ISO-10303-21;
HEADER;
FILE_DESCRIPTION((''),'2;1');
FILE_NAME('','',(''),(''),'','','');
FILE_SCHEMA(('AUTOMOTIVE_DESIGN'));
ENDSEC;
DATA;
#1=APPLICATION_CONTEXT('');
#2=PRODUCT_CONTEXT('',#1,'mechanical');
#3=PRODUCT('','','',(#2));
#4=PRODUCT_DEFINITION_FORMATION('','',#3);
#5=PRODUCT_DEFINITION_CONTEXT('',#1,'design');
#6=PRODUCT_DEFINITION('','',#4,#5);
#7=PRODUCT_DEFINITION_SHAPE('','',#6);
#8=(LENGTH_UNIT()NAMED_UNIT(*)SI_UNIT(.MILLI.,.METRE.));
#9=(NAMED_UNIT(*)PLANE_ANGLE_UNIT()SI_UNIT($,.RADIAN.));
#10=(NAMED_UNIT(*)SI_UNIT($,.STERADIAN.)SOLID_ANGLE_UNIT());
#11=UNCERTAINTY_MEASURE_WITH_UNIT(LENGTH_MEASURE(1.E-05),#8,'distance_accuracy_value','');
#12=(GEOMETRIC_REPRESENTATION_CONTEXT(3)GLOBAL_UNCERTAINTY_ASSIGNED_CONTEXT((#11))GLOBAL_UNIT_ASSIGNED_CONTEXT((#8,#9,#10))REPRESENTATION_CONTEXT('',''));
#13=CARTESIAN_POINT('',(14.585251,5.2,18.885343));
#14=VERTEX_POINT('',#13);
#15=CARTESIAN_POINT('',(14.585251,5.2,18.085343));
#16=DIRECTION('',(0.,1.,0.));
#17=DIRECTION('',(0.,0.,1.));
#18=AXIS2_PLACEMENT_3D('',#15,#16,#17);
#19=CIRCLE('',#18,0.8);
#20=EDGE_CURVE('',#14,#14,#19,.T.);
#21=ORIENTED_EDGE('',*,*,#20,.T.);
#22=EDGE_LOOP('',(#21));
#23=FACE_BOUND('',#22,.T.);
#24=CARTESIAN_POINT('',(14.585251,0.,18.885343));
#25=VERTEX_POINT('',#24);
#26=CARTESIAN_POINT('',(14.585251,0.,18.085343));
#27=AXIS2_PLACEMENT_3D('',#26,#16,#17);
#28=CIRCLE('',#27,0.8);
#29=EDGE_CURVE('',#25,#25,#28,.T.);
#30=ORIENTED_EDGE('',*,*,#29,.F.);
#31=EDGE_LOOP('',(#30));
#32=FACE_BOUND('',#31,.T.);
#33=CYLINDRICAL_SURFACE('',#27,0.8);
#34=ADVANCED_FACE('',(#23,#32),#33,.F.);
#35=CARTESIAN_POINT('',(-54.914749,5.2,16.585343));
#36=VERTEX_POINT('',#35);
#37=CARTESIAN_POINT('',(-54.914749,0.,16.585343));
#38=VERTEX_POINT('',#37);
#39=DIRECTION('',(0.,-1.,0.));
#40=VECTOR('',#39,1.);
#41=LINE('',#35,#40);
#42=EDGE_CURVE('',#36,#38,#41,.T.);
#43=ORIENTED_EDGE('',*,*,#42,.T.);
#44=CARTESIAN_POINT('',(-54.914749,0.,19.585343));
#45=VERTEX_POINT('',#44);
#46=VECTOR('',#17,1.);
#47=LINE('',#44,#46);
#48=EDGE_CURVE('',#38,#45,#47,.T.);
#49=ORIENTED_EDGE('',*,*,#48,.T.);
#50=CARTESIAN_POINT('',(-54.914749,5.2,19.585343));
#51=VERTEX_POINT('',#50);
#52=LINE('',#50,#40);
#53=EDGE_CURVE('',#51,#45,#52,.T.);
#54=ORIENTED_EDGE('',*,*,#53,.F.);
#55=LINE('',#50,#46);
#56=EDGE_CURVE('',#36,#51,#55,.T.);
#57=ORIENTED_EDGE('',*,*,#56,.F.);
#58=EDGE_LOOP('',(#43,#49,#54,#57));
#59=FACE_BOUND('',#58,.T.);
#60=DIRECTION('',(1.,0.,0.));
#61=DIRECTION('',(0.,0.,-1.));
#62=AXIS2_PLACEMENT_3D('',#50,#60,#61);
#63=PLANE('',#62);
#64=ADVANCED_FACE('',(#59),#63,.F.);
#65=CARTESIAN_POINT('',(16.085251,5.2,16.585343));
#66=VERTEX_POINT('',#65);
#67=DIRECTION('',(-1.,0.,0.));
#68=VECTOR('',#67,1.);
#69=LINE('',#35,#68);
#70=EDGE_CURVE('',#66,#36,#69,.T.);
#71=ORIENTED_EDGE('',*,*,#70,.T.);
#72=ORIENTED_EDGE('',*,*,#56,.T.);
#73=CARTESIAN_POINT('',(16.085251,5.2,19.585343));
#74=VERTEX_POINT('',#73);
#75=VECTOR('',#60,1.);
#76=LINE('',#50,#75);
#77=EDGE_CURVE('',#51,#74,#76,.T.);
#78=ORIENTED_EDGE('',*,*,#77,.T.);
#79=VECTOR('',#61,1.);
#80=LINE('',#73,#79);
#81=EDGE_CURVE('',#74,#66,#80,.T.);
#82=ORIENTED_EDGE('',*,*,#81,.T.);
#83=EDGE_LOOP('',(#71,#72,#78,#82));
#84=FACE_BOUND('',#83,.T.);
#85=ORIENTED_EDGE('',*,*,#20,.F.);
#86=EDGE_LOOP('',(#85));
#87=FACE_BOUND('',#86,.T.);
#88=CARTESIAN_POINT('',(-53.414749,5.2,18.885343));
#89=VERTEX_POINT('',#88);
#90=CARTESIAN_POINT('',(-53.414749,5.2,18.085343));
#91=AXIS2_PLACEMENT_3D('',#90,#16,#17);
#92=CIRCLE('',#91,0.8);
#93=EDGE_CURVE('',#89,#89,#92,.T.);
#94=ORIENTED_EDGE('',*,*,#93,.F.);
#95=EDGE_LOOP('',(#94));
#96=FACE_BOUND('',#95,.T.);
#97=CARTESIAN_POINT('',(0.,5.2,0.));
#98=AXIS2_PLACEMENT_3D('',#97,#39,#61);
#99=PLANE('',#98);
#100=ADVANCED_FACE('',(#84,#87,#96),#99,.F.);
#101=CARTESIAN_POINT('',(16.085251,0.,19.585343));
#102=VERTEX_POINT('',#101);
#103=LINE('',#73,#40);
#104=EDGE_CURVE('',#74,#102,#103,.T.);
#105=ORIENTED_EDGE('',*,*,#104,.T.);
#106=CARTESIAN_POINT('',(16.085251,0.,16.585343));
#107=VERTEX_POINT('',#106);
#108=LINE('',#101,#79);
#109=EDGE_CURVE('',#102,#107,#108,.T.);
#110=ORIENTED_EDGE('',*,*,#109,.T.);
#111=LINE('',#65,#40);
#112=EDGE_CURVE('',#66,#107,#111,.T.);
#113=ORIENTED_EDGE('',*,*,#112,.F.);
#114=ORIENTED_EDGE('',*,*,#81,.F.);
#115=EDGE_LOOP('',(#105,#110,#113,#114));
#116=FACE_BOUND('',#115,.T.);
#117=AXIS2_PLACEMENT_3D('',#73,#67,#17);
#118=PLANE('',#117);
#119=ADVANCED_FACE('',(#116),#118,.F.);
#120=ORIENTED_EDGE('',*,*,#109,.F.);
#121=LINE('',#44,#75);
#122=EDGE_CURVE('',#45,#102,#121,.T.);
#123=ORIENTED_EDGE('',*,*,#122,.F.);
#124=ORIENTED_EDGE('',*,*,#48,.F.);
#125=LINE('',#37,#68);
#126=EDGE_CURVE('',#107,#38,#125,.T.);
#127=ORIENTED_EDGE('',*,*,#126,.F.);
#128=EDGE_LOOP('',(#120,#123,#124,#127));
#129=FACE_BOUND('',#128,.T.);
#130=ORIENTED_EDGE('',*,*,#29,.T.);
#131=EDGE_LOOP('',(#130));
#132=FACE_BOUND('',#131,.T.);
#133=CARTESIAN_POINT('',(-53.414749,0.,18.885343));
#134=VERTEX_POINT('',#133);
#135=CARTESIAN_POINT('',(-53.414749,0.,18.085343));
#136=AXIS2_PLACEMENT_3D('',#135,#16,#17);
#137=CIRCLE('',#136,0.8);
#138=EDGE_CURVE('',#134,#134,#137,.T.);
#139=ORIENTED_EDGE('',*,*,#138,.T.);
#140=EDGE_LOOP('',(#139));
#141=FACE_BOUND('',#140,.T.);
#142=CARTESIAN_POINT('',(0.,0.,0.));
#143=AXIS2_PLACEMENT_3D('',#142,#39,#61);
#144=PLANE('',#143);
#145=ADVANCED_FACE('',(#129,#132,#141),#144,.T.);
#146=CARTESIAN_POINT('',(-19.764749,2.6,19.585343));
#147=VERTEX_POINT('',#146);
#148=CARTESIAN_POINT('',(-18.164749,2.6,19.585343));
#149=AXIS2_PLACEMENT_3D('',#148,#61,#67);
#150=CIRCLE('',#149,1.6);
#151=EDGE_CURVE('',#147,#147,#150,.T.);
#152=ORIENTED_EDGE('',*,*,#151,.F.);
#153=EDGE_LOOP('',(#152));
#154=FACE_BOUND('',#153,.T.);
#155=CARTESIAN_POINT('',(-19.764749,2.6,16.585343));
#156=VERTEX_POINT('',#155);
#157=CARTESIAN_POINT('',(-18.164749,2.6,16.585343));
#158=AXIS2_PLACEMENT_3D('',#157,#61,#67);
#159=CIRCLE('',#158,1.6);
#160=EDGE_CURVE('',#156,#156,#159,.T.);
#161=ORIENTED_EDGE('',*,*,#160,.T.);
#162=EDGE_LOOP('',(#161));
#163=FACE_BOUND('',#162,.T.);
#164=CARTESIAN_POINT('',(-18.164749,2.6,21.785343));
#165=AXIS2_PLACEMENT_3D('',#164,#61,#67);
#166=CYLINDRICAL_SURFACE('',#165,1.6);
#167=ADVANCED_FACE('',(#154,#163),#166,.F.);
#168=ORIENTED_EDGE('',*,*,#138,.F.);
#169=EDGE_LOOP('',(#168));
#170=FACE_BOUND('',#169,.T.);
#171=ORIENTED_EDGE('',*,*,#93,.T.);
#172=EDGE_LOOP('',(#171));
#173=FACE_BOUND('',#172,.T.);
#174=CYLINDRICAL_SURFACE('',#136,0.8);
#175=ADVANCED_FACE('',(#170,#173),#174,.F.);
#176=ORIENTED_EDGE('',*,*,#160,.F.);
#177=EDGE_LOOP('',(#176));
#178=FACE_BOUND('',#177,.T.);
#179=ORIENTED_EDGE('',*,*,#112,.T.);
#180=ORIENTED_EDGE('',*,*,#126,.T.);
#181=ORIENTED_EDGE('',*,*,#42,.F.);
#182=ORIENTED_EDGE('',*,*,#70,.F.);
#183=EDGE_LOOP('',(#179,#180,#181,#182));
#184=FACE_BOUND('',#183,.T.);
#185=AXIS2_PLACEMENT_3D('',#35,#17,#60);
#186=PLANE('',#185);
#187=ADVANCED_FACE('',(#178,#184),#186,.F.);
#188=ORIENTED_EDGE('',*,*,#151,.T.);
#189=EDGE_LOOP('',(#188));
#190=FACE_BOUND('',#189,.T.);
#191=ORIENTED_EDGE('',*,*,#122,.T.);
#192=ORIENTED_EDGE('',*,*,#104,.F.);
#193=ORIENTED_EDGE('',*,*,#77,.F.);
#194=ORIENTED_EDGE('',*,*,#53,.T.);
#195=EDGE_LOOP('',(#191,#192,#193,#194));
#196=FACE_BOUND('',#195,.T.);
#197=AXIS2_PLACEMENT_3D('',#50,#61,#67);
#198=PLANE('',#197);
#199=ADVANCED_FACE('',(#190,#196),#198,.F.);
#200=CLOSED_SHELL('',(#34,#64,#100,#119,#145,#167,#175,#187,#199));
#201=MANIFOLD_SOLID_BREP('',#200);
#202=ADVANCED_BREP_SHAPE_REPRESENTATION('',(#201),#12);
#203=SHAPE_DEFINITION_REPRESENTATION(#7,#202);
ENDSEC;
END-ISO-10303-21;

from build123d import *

# Parameters (mm, degrees)
SKETCH1_W           = 71
SKETCH1_H           = 3
BOSS_EXTRUDE1_DEPTH = 5.2
SKETCH2_R           = 0.8
CUT_EXTRUDE1_DEPTH  = 5.2
SKETCH3_R           = 1.6
CUT_EXTRUDE2_DEPTH  = 5.2


with BuildPart() as part:
    # Sketch1 → Boss-Extrude1 (new body)
    with BuildSketch(Plane(origin=(0, 0, 0), x_dir=(1, 0, 0), z_dir=(0, 1, 0))):
        with Locations((-19.414749289, -18.085343374)):
            Rectangle(SKETCH1_W, SKETCH1_H)
    extrude(amount=BOSS_EXTRUDE1_DEPTH)

    # Sketch2 → Cut-Extrude1 (cut)
    with BuildSketch(Plane(origin=(0, 5.2, 0), x_dir=(1, 0, 0), z_dir=(0, 1, 0))):
        with Locations(Location((-53.414749289, -18.085343374, 0), (0, 0, 270))):
            Circle(SKETCH2_R)
        with Locations(Location((14.585250711, -18.085343374, 0), (0, 0, 270))):
            Circle(SKETCH2_R)
    extrude(amount=-CUT_EXTRUDE1_DEPTH, mode=Mode.SUBTRACT)

    # Sketch3 → Cut-Extrude2 (cut)
    with BuildSketch(Plane(origin=(0, 0, 16.585343374), x_dir=(-1, 0, 0), z_dir=(0, 0, -1))):
        with Locations((18.164749289, 2.6)):
            Circle(SKETCH3_R)
    extrude(amount=-CUT_EXTRUDE2_DEPTH, mode=Mode.SUBTRACT)


solid = part.part
